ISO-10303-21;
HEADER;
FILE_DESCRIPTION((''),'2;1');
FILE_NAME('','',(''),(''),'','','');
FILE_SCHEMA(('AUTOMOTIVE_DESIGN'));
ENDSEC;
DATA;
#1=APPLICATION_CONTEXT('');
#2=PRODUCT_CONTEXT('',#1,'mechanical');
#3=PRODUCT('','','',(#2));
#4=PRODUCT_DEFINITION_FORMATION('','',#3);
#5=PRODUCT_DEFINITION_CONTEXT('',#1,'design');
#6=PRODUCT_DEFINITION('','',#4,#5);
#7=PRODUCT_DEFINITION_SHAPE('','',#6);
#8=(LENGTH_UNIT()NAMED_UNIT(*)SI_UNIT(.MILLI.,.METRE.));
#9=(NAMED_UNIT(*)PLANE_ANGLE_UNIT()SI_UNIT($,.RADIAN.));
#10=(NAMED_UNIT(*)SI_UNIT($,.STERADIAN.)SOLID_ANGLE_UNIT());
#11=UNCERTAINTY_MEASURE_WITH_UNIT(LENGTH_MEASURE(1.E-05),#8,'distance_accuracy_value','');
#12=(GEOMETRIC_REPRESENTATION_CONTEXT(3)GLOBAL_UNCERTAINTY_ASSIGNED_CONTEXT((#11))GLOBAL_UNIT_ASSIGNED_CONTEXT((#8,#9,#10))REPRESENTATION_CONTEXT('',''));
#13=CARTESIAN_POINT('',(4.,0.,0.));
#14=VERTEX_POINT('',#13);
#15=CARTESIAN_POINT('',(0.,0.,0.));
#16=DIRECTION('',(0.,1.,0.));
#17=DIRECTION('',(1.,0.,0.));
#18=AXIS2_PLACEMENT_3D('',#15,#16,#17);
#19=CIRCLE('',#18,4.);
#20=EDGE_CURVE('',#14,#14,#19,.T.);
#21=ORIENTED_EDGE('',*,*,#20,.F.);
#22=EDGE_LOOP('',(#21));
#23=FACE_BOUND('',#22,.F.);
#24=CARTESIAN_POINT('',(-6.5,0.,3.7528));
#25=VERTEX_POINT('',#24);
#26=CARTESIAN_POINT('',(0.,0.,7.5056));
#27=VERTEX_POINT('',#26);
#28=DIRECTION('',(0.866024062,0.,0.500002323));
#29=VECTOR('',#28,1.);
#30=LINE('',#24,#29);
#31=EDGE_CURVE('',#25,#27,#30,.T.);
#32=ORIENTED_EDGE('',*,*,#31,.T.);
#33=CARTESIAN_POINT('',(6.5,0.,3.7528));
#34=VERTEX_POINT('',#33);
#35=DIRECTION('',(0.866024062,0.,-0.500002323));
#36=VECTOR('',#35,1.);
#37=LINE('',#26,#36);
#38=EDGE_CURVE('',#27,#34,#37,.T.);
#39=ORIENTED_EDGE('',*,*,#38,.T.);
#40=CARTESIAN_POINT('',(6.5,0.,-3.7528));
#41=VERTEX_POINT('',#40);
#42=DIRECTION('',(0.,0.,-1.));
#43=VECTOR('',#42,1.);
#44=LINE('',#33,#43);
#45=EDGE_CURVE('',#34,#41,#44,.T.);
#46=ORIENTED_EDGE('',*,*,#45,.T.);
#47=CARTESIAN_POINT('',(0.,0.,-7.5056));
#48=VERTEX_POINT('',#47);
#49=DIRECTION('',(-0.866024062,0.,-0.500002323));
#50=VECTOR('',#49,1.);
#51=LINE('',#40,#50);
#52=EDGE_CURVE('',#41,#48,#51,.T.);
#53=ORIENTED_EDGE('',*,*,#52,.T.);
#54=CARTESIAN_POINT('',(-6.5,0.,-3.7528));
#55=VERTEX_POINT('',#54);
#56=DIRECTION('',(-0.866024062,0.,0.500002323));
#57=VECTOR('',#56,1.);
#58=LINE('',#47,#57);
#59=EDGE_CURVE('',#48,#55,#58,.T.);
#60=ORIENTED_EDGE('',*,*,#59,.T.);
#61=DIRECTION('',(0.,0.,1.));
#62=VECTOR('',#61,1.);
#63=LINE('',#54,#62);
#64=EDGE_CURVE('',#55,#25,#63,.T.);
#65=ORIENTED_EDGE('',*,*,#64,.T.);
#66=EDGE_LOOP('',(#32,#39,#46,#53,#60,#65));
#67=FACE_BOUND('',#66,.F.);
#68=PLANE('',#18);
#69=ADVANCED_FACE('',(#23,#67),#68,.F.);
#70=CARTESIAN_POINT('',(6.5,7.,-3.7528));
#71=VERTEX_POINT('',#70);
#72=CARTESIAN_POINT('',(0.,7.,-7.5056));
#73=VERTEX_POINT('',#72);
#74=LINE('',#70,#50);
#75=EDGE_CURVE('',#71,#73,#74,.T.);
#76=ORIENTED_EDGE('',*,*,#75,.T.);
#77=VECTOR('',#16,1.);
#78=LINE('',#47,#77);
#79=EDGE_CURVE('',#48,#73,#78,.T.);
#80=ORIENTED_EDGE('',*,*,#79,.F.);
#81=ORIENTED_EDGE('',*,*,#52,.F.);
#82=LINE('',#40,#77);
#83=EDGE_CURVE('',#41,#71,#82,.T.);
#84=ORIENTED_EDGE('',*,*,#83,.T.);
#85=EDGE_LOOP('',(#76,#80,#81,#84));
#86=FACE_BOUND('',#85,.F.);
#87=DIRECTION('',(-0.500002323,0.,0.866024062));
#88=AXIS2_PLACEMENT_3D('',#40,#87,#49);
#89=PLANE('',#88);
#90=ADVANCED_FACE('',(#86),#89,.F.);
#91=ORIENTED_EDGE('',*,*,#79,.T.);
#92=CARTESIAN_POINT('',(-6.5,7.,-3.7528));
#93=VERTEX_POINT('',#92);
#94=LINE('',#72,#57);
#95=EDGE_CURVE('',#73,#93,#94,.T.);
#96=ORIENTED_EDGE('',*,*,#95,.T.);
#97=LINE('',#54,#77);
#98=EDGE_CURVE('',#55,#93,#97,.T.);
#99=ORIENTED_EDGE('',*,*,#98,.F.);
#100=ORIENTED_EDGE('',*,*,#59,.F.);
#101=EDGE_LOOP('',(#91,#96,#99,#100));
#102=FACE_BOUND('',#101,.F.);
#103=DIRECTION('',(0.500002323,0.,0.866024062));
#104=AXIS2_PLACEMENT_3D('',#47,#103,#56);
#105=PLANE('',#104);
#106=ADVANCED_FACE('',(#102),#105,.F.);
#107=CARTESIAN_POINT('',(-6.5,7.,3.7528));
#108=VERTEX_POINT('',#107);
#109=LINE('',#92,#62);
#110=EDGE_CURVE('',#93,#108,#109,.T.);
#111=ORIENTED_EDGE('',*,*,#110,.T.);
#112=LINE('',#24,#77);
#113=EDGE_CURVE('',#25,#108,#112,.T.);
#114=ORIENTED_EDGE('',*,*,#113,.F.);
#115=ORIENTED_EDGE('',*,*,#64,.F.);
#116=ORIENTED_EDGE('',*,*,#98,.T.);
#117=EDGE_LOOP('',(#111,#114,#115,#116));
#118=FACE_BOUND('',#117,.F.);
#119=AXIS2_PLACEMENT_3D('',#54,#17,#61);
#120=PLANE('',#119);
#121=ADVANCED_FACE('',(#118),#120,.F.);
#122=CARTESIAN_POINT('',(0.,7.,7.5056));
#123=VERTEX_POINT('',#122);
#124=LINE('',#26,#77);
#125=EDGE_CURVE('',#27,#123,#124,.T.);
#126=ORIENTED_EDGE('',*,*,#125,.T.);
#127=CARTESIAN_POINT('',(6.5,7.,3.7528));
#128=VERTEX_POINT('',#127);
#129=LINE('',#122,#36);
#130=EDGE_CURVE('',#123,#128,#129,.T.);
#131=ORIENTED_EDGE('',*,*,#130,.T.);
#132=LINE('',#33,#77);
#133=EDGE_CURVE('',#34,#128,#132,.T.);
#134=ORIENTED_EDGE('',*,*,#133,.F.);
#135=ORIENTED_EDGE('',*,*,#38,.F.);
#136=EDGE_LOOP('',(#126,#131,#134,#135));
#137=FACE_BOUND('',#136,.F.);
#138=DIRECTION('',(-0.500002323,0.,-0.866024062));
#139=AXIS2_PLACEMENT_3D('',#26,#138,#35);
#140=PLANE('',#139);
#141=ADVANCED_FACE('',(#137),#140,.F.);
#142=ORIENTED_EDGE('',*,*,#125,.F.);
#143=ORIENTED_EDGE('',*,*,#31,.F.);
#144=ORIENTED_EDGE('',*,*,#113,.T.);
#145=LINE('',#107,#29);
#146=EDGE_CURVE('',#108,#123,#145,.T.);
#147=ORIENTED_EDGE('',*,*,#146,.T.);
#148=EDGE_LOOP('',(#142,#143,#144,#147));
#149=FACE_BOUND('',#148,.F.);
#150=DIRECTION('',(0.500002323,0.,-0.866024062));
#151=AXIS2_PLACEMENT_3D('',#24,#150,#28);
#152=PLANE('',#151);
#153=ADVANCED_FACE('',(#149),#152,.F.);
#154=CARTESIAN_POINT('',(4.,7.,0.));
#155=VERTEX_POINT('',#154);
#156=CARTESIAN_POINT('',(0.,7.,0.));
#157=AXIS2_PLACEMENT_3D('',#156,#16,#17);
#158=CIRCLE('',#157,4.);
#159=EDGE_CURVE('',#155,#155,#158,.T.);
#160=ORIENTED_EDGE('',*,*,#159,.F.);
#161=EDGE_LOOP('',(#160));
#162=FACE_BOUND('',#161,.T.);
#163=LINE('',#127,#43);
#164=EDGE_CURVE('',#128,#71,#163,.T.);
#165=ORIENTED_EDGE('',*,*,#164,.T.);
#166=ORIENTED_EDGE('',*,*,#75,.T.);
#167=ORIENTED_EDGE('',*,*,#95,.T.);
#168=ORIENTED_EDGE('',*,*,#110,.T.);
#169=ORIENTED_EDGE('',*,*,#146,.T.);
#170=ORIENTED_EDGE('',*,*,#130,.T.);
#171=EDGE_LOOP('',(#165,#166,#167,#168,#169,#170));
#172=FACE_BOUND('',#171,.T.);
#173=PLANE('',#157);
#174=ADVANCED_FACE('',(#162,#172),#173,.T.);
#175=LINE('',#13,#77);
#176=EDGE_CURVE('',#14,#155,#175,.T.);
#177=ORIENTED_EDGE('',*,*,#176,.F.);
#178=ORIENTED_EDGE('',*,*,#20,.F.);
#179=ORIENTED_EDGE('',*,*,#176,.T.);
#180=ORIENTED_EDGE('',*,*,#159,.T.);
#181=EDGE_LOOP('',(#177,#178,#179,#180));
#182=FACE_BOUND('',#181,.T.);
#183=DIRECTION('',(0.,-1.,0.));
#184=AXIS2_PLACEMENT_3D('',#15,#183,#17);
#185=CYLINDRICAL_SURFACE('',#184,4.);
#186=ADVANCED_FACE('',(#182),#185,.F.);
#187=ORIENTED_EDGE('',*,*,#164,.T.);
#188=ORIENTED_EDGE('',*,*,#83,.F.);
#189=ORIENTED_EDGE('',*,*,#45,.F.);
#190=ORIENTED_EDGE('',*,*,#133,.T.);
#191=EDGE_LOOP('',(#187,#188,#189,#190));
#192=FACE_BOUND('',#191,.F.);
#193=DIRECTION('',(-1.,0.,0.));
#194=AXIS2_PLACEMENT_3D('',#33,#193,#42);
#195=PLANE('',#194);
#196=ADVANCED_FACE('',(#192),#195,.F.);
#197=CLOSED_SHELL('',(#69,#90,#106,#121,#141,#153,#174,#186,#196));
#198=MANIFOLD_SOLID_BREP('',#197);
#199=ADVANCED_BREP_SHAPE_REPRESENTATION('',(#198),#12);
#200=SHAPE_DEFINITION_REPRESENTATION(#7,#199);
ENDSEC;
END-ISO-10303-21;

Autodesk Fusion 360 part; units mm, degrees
sketch "Sketch1" plane through (0, 0, 0) normal (0, 1, 0) x (1, 0, 0)
  line L0 (-6.5, -3.7528) -> (0, -7.5056)
  line L1 (0, -7.5056) -> (6.5, -3.7528)
  line L2 (6.5, -3.7528) -> (6.5, 3.7528)
  line L3 (6.5, 3.7528) -> (0, 7.5056)
  line L4 (0, 7.5056) -> (-6.5, 3.7528)
  line L5 (-6.5, 3.7528) -> (-6.5, -3.7528)
  circle A0 centre (0, 0) radius 4
  dimension "d1" = 13
  dimension "d2" = 8
extrude "Extrude1" add sketch "Sketch1" along normal blind 7
